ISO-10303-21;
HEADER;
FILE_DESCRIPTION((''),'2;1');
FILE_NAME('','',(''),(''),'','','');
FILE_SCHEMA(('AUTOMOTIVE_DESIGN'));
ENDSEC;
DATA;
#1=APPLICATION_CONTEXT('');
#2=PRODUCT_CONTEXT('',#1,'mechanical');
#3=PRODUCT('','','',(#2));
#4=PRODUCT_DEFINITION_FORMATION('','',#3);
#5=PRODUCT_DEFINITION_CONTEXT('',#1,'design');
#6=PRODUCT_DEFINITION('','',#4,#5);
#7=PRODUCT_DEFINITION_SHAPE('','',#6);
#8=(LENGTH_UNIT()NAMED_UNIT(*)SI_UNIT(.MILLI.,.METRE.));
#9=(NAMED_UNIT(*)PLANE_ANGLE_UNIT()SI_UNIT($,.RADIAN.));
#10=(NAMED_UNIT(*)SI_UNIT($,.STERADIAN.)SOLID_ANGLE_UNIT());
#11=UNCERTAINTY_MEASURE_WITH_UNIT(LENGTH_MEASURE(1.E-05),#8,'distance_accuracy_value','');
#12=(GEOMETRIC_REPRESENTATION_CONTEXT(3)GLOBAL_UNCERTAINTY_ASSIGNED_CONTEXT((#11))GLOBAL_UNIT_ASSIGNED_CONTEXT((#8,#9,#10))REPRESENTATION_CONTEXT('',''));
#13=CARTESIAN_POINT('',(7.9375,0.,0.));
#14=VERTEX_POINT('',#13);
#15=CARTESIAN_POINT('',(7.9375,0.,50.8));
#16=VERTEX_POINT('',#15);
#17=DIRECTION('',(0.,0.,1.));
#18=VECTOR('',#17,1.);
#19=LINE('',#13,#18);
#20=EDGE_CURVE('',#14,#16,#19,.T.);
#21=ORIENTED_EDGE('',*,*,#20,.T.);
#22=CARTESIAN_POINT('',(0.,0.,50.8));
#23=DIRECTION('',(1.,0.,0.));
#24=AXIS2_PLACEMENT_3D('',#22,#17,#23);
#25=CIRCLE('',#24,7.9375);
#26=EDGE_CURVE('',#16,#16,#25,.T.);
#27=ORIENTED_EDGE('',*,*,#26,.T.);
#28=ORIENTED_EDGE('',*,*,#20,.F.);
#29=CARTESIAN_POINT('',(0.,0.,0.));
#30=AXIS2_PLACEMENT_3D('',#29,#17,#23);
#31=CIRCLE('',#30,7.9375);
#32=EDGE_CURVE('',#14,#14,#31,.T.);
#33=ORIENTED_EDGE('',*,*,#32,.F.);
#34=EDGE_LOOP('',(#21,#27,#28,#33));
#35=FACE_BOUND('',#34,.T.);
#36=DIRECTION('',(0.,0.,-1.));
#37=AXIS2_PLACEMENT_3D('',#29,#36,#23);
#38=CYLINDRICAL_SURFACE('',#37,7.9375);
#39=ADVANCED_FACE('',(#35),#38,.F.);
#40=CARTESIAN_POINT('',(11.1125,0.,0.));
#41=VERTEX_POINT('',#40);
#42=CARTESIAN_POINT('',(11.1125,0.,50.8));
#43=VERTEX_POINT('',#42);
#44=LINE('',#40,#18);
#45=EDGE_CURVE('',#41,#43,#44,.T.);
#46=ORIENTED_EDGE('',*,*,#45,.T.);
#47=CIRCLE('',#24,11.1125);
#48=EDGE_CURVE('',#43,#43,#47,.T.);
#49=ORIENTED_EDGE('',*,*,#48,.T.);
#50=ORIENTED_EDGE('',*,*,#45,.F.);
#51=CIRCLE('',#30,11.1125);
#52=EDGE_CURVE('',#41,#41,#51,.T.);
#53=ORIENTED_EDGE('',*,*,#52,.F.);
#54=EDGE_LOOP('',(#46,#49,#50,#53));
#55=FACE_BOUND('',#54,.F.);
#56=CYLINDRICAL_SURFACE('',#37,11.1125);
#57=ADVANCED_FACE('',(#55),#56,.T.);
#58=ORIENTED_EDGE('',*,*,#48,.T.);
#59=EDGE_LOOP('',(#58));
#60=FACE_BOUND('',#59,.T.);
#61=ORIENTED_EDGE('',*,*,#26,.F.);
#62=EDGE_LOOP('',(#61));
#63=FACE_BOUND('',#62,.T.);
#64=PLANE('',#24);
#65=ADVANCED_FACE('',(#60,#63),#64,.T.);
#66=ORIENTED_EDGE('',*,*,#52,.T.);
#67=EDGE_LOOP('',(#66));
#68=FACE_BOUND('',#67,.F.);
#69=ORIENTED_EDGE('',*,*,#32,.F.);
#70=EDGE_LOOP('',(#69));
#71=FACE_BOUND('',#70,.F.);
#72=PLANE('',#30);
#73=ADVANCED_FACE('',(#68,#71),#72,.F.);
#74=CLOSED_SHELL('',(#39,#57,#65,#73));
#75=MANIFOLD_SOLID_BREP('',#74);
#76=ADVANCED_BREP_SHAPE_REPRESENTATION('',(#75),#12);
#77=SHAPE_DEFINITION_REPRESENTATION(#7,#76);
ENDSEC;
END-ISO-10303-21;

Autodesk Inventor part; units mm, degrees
ref_plane "YZ Plane" through (0, 0, 0) normal (1, 0, 0) x (0, 1, 0)
ref_plane "XZ Plane" through (0, 0, 0) normal (0, 1, 0) x (-1, 0, 0)
ref_plane "XY Plane" through (0, 0, 0) normal (0, 0, 1) x (1, 0, 0)
sketch "Sketch1" plane through (0, 0, 0) normal (0, 0, 1) x (1, 0, 0)
  circle A0 centre (0, 0) radius 11.1125
  circle A1 centre (0, 0) radius 7.9375
  dimension "d0" = 22.225
  dimension "d1" = 3.175
extrude "Extrusion1" add sketch "Sketch1" along normal blind 50.8
properties part number "GE-12092-03"
